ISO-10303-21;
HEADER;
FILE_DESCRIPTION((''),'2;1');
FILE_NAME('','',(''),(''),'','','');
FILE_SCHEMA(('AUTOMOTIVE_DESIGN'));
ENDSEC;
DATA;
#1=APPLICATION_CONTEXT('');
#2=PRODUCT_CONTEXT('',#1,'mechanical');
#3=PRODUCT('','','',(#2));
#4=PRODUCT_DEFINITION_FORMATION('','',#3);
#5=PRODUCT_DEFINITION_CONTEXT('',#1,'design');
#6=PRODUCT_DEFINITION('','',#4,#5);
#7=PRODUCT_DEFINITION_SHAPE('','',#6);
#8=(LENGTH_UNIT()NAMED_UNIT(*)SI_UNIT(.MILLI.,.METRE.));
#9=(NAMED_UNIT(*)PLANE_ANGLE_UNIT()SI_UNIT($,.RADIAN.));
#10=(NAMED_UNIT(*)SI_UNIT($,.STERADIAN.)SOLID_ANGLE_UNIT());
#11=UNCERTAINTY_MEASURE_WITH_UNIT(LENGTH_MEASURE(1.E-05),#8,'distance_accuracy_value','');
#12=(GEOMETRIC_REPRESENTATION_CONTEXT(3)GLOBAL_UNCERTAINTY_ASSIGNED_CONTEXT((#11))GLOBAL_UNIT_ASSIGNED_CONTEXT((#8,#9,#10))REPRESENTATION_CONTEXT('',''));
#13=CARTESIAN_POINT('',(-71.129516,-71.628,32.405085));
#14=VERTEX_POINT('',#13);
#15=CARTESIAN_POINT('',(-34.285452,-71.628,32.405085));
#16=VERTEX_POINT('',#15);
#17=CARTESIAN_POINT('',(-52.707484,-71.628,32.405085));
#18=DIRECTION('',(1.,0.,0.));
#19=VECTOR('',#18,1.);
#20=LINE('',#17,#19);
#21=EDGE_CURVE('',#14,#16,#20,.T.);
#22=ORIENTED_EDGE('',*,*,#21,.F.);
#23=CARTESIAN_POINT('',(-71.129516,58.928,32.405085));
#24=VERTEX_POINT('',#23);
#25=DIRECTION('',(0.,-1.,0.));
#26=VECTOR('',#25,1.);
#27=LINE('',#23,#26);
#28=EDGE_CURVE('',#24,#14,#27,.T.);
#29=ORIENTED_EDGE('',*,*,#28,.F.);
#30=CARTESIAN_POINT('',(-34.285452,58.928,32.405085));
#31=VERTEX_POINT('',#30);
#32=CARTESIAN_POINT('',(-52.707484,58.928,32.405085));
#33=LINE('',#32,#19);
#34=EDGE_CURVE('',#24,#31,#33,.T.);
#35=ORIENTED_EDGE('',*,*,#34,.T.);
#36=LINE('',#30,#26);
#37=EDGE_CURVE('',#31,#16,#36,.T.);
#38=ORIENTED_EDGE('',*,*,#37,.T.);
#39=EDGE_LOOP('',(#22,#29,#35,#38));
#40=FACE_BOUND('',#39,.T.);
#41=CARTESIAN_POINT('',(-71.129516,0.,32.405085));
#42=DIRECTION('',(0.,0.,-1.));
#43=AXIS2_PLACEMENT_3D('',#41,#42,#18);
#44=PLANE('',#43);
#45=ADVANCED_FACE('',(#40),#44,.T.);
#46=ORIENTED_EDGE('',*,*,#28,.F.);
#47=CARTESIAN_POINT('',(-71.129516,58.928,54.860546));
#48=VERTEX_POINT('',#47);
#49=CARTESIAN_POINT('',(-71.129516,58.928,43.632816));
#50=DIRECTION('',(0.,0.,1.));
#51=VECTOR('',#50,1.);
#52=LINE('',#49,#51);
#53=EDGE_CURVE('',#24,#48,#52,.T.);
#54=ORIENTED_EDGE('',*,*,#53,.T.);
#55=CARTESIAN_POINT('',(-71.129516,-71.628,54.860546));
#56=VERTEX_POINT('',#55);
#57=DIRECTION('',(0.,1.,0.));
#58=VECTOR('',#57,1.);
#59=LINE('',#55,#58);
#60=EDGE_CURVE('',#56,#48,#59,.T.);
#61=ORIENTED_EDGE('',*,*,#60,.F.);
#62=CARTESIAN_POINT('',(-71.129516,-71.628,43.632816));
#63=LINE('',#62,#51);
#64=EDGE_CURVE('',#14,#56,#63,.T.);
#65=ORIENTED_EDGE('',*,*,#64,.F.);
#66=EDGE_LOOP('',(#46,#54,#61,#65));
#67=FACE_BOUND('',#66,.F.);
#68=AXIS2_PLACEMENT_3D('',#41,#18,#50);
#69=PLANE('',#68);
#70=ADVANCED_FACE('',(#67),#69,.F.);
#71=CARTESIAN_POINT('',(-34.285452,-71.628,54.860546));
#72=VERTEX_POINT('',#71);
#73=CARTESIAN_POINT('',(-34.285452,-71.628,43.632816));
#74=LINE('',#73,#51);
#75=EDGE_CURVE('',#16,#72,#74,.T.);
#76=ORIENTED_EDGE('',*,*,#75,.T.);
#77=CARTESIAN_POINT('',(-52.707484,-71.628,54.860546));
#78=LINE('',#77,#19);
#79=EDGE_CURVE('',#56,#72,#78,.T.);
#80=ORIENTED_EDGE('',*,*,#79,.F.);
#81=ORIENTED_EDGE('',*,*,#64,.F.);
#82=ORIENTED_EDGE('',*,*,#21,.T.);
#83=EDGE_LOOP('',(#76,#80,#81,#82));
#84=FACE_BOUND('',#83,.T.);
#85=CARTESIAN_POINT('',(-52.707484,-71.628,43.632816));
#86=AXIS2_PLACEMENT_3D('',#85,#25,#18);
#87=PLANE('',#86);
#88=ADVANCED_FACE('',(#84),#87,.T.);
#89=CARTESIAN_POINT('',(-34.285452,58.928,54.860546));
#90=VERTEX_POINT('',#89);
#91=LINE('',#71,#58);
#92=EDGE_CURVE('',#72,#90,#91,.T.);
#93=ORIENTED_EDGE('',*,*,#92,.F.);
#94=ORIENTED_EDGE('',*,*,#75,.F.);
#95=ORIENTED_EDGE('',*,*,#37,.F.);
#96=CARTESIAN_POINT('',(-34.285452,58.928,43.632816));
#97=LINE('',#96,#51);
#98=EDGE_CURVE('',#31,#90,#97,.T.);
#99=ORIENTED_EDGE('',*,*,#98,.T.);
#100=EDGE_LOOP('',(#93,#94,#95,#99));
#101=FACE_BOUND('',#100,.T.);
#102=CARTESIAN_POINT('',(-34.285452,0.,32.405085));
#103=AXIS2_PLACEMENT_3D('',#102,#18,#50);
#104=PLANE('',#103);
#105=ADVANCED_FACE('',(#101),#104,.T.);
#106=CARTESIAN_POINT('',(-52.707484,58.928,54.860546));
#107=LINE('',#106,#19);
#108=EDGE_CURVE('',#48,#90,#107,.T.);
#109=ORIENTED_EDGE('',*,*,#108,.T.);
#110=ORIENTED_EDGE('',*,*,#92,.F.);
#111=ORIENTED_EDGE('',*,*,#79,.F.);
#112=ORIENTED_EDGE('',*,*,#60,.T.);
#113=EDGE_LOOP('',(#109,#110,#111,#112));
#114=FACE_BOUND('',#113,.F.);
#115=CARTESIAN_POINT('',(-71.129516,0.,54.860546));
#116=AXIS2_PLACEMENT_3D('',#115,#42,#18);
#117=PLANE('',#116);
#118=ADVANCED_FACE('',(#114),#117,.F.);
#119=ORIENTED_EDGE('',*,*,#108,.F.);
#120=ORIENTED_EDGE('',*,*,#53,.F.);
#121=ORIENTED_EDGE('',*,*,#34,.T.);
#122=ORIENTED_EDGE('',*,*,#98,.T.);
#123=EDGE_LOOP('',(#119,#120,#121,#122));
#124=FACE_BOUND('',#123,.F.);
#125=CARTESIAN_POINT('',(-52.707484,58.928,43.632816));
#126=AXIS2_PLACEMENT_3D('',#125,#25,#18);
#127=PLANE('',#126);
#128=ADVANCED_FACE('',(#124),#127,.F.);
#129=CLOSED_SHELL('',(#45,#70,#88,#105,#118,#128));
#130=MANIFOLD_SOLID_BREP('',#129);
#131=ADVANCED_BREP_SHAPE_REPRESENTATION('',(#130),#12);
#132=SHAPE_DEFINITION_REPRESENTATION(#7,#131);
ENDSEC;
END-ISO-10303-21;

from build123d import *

# Parameters (mm, degrees)
F0_W     = 36.844064
F0_H     = 22.455461
F1_DEPTH = 58.928
F2_W     = 36.844064
F2_H     = 22.455461
F3_DEPTH = 12.7


with BuildPart() as f1:
    # F0 (on Front) → F1 (new body, symmetric)
    with BuildSketch(Plane.XZ):
        with Locations((-52.707484, 43.632816)):
            Rectangle(F0_W, F0_H)
    extrude(amount=F1_DEPTH, both=True)

    # F2 (on face) → F3 (join, symmetric)
    with BuildSketch(Plane.XZ.offset(58.928)):
        with Locations((-52.707484, 43.632816)):
            Rectangle(F2_W, F2_H)
    extrude(amount=F3_DEPTH, both=True)


solid = f1.part
